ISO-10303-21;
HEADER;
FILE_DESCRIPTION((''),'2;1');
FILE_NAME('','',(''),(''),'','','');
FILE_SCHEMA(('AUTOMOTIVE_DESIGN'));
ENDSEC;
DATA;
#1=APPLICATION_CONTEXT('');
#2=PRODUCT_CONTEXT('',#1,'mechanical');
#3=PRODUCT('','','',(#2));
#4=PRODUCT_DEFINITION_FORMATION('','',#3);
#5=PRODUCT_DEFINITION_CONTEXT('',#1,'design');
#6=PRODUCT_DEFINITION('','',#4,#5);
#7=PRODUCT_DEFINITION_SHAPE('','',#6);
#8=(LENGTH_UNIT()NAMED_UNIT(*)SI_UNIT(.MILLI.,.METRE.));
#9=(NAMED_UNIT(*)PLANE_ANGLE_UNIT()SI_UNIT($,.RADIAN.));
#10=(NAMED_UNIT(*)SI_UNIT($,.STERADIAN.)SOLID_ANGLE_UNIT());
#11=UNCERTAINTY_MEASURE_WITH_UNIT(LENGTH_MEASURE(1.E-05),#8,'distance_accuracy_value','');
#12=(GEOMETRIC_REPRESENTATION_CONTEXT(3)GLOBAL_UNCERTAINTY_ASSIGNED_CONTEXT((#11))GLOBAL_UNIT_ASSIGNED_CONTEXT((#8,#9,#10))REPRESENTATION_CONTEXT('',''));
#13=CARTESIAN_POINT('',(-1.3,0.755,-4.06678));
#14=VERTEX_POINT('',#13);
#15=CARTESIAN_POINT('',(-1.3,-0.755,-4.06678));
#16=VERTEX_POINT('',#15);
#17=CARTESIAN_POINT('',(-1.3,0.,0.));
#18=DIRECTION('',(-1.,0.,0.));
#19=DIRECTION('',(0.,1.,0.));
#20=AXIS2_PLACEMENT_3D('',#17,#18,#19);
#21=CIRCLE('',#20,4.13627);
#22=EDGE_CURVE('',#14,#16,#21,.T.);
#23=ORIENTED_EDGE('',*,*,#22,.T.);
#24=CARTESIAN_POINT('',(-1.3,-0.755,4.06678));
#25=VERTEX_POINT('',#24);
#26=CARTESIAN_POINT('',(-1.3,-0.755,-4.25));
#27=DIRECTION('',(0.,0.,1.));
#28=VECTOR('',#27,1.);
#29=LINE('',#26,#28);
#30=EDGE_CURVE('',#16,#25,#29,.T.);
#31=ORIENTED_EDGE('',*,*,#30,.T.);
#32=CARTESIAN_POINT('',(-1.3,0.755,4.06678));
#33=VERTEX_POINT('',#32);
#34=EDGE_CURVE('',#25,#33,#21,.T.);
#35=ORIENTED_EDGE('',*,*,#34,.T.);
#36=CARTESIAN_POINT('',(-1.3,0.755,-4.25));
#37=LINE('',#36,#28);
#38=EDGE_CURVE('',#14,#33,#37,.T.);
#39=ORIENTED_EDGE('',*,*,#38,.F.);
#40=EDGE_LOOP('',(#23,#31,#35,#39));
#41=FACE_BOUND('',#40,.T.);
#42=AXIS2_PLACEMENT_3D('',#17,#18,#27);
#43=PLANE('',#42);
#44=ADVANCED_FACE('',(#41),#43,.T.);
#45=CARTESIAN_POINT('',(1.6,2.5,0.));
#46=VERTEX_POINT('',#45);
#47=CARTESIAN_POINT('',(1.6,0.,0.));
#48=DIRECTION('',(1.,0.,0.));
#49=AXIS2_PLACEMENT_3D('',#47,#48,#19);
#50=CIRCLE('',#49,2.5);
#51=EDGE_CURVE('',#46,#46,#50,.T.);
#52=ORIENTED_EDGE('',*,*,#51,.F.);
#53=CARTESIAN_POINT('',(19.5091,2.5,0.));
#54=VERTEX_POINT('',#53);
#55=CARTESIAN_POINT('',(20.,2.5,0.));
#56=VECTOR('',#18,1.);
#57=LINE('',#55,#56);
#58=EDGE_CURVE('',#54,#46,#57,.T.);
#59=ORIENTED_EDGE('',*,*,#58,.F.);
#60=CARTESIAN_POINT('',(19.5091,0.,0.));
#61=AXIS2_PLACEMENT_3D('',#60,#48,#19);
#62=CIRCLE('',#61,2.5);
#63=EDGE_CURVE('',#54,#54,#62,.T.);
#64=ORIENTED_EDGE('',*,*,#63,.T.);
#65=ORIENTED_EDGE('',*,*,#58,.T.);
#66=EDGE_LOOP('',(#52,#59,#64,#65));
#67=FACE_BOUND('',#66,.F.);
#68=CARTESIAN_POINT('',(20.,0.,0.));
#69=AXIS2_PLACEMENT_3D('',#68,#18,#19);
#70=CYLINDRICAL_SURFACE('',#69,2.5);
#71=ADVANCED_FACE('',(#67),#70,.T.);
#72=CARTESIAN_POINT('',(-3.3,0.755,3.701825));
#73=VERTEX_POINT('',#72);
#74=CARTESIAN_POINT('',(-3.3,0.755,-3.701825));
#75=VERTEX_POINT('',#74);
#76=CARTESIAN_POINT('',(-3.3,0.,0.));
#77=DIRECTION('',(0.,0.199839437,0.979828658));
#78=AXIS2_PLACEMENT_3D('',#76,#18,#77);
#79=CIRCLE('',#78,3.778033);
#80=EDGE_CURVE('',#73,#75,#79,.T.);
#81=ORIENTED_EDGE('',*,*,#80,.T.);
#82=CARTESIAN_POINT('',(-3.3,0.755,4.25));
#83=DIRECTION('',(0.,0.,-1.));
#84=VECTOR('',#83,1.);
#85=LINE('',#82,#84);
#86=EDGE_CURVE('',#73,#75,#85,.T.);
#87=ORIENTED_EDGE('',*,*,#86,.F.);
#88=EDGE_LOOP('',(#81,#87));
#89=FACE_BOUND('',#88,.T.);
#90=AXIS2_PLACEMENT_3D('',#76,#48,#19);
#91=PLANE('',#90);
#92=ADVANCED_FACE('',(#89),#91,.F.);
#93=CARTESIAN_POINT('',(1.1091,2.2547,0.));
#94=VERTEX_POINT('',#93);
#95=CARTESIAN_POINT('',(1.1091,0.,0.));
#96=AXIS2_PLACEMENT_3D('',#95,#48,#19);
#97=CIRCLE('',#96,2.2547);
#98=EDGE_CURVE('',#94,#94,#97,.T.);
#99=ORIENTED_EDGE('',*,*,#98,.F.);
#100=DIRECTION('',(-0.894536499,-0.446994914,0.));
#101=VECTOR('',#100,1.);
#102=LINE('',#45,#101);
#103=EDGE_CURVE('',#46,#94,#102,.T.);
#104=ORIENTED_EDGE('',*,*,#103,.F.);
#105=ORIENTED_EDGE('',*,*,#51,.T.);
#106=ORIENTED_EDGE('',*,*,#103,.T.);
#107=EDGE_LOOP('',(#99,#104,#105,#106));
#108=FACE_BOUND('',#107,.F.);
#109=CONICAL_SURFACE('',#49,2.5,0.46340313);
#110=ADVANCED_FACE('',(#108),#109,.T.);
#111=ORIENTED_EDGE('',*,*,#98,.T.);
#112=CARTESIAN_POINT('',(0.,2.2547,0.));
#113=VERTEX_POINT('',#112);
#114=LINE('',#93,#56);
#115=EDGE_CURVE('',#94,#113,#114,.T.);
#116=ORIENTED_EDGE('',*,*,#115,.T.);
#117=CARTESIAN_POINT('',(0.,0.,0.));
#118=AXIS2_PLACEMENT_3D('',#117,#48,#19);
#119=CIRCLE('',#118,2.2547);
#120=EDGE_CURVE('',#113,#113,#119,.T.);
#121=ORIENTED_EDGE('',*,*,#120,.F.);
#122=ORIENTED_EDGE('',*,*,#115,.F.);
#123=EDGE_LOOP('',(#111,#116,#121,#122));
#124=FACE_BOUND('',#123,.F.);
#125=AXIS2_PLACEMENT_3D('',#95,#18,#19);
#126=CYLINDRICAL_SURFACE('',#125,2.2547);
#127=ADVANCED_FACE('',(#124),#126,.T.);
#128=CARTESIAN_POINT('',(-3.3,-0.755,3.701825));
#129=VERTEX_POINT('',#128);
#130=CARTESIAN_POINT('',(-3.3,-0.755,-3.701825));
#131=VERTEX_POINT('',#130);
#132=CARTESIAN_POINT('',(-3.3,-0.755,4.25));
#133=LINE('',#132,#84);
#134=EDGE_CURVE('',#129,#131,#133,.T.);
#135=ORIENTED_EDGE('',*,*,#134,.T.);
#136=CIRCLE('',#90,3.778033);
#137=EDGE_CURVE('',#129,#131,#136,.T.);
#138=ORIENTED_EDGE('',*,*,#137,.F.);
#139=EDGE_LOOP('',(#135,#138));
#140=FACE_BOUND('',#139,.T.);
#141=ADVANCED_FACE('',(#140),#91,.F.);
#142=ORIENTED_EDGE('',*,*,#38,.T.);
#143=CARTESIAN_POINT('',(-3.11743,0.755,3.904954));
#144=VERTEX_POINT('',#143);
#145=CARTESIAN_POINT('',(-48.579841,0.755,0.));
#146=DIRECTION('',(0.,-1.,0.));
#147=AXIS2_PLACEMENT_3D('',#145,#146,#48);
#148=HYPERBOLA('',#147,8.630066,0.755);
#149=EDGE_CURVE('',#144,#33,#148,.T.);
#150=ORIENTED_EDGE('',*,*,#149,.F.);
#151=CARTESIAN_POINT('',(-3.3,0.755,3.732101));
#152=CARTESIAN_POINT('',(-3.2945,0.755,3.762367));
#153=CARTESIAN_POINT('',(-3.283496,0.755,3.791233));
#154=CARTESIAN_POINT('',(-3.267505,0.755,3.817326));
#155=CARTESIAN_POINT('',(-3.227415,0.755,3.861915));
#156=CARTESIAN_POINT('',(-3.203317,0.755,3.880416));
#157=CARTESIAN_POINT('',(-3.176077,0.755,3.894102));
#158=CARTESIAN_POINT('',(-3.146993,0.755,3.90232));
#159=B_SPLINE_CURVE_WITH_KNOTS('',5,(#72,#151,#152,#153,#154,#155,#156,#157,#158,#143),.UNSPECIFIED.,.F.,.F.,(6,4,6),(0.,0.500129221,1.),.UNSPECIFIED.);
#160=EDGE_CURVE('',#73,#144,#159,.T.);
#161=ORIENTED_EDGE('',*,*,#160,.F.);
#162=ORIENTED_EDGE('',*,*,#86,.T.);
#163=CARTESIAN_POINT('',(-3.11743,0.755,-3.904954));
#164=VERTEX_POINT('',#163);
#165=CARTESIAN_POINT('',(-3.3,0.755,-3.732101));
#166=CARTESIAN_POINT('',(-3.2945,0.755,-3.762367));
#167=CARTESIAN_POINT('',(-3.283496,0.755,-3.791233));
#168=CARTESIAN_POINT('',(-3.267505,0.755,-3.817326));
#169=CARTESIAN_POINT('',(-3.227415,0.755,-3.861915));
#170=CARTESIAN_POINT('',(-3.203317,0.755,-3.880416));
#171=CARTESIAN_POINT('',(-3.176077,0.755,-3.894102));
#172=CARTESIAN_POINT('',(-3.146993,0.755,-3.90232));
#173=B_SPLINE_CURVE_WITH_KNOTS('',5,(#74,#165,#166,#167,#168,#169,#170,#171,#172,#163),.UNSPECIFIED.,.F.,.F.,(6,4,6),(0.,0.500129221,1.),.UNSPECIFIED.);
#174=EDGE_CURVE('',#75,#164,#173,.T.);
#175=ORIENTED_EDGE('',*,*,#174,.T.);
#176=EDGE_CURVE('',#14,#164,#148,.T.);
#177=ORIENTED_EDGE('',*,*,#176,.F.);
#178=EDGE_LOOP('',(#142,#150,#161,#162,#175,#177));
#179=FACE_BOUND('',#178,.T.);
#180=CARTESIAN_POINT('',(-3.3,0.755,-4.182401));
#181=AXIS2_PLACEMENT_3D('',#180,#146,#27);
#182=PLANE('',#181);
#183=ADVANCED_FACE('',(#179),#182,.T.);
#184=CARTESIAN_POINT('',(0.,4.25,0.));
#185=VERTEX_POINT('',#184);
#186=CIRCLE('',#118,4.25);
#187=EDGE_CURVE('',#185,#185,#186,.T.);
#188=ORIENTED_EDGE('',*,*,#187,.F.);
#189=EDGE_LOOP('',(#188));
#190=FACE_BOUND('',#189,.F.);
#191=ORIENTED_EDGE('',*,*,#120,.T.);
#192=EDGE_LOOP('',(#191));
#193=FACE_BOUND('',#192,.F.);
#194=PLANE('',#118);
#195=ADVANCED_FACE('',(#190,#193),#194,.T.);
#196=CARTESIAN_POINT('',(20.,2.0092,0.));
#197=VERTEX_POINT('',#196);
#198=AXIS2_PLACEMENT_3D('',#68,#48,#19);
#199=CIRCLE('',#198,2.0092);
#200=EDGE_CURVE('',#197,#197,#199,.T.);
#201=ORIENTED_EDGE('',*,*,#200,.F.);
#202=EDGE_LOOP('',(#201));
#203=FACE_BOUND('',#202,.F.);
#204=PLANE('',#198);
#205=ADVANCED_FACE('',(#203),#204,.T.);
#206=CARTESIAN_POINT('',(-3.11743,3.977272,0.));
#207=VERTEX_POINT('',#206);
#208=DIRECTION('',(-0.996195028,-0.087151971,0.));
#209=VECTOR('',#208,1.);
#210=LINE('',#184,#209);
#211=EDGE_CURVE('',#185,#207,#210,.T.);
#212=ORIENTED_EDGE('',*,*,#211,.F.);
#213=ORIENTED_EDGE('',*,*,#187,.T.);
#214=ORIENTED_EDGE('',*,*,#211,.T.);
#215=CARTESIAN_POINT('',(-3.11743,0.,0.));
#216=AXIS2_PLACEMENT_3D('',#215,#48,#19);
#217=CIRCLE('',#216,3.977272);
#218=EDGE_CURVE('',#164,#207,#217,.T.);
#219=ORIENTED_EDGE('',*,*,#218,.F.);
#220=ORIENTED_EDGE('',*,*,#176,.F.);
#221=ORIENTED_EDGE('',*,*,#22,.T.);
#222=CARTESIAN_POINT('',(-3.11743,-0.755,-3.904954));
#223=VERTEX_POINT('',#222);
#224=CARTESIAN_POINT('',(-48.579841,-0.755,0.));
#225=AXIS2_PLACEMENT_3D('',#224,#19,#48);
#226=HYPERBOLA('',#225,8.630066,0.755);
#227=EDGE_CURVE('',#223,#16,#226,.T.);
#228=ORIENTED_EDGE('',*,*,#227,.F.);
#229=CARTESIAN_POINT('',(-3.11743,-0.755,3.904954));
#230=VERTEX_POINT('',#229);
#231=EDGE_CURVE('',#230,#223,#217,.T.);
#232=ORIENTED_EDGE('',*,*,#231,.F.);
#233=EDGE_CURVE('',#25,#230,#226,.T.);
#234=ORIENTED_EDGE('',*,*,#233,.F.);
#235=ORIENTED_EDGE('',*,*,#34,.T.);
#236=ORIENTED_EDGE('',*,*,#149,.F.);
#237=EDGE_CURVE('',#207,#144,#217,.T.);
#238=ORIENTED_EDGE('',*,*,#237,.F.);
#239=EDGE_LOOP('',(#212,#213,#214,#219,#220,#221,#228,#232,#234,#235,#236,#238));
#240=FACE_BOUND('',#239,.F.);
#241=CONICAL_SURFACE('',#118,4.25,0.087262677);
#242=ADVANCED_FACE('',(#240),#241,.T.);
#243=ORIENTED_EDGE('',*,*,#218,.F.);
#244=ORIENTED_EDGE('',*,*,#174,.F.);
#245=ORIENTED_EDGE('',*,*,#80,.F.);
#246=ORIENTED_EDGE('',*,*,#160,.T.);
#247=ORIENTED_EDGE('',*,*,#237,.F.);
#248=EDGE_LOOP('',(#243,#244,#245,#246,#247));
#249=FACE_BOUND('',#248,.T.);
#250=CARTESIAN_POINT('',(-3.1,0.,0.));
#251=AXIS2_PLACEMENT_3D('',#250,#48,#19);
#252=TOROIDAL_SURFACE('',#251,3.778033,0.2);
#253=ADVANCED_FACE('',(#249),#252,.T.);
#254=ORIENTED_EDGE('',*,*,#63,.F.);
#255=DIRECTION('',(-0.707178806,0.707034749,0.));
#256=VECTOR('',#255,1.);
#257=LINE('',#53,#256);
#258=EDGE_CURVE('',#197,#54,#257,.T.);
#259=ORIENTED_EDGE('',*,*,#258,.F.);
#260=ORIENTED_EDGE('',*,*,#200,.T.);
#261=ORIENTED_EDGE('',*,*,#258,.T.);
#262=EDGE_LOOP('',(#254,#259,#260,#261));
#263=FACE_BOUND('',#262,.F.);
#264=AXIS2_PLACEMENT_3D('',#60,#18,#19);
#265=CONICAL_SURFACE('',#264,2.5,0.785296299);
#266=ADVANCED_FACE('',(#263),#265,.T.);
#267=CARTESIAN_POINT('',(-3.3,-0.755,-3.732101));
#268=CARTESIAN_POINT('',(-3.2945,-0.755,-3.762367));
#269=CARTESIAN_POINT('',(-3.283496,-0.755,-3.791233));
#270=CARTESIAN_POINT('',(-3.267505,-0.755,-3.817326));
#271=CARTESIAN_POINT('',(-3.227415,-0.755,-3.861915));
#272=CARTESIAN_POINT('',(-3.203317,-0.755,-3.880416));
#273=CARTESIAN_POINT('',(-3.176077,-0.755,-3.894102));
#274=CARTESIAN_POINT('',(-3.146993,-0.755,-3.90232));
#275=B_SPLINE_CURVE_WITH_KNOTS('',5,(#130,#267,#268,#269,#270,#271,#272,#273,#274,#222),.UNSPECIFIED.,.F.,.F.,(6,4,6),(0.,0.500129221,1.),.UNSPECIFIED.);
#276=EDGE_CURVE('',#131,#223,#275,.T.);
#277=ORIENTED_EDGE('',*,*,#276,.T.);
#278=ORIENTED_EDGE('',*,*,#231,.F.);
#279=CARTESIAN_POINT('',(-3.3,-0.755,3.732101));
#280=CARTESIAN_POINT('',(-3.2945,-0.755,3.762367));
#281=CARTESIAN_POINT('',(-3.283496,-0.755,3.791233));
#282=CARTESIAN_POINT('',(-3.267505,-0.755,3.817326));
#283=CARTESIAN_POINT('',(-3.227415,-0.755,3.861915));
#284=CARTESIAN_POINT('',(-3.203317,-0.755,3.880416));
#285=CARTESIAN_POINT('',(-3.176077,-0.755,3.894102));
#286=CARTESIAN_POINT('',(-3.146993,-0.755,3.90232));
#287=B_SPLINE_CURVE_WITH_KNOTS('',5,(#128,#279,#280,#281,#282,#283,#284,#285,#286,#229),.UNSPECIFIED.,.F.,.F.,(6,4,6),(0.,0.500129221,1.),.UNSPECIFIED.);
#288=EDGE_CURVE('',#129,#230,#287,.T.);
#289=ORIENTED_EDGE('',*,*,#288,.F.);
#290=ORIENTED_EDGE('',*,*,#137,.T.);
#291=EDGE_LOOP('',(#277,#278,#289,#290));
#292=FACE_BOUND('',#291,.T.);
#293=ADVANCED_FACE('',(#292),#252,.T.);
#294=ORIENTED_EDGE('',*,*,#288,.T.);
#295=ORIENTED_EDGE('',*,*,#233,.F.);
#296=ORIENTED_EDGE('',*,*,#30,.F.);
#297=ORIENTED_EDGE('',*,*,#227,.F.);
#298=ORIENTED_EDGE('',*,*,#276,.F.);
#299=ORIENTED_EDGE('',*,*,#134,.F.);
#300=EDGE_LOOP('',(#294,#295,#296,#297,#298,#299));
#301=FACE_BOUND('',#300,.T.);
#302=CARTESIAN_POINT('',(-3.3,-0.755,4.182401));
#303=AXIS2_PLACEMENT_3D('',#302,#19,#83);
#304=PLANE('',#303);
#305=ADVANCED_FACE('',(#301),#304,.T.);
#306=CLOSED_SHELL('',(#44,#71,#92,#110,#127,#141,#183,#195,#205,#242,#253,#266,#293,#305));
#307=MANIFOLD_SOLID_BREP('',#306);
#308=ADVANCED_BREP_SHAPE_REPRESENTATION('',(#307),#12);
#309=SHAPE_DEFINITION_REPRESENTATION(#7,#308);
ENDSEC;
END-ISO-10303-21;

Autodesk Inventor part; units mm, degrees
ref_plane "YZ Plane" through (0, 0, 0) normal (1, 0, 0) x (0, 1, 0)
ref_plane "XZ Plane" through (0, 0, 0) normal (0, 1, 0) x (-1, 0, 0)
sketch "Rascunho1" plane through (0, 0, 0) normal (0, 0, 1) x (1, 0, 0)
  line L0 (-3.3, 0) -> (20, 0)
  line L1 (20, 0) -> (20, 2.5)
  line L2 (20, 2.5) -> (1.6, 2.5)
  line L3 (1.6, 2.5) -> (1.1091, 2.2547)
  line L4 (1.1091, 2.2547) -> (0, 2.2547)
  line L5 (0, 2.2547) -> (0, 4.25)
  line L6 (-7.96, 0) -> (24.66, 0) projected
  line L7 (0, -0.85) -> (0, 5.1) projected
  line L8 (-3.3, 0) -> (-3.3, 3.9613)
  line L9 (0, 4.25) -> (-3.3, 3.9613)
  line L10 (1.6, 2.5) -> (0, 2.5) construction
  dimension "d0" = 20
  dimension "d1" = 18.4
  dimension "d2" = 0.4909
  dimension "d3" = 3.3
  dimension "d4" = 5
  dimension "d5" = 4.5095
  dimension "d9" = 8.5
  dimension "d10" = 5
revolve "Corpo" add sketch "Rascunho1" angle 360 about axis through (-3.3, 0, 0) along (1, 0, 0)
sketch "Rascunho2" plane through (-3.3, 0, 0) normal (-1, 0, 0) x (0, 0, 1)
  circle A0 centre (0, 0) radius 4.25 projected
  line L0 (0, 0) -> (0, 3.9613) projected
  line L1 (-4.25, 0.755) -> (4.25, 0.755)
  line L2 (4.25, 0.755) -> (4.25, -0.755)
  line L3 (4.25, -0.755) -> (-4.25, -0.755)
  line L4 (-4.25, -0.755) -> (-4.25, 0.755)
  line L5 (-4.25, 0) -> (4.25, 0) construction
  line L6 (0, 0.755) -> (0, -0.755) construction
  point P0 (0, 0)
  dimension "d11" = 1.51
  dimension "d12" = 8.5
fillet "Raio de arredondamento1" radius 0.2 1 edges at (-3.3, -3.9613, 0)
extrude "Fenda" cut sketch "Rascunho2" against normal blind 2 contours A0 L3 L1 | L2 L3 A0 | A0 L1 L2 | A0 L4 L1 | L3 L4 A0
thread "Rosca" size "M5x0.8" class "6g" standard "ISO Metric profile" length 18.4
chamfer "Chanfrar1" distance 0.4908 distance2 0.4909 1 edges at (20, -2.5, 0) measured on face at (20, 1.2612, -0.6619)
ref_plane "Work Plane1" through (30.1625, 0, 0) normal (0, 0, -1) x (1, 0, 0)
equation "\"d11\" = SBR"
equation "\"d12\" = KOD"
equation "\"d14\" = RR"
equation "\"d19\" = STI"
equation "\"d15\" = GEL"
equation "\"d17\" = -0.5 * SPD + 0.5 * GD"
equation "\"d0\" = NLG"
equation "\"d1\" = GEL"
equation "\"d3\" = KOH"
equation "\"d4\" = GD"
equation "\"d5\" = BDM"
equation "\"d9\" = KOD"
equation "\"d10\" = KEWI"
equation "\"GD\" = NND"
equation "\"NLG\" = 20"
equation "\"GEL\" = 18.4"
equation "\"KOD\" = 8.5"
equation "\"KOH\" = 3.3"
equation "\"GAL\" = 0.61345 * PTC"
equation "\"SPD\" = NND - 1.2269 * PTC"
equation "\"BDM\" = 4.5095"
equation "\"GUL\" = 0.61345 * PTC"
equation "\"RR\" = 0.2"
equation "\"SBR\" = 1.51"
equation "\"STI\" = 2"
equation "\"KEWI\" = 5deg"
equation "\"PTC\" = 0.8"
equation "\"THREADDIA\" = 5"
equation "\"TOA\" = 30deg"
equation "\"NND\" = 5"
equation "\"GD1\" = THREADDIA - 1.2269 * PTC"
properties part number "BS 4183 - M5 x 20" material "Aço, suave"
